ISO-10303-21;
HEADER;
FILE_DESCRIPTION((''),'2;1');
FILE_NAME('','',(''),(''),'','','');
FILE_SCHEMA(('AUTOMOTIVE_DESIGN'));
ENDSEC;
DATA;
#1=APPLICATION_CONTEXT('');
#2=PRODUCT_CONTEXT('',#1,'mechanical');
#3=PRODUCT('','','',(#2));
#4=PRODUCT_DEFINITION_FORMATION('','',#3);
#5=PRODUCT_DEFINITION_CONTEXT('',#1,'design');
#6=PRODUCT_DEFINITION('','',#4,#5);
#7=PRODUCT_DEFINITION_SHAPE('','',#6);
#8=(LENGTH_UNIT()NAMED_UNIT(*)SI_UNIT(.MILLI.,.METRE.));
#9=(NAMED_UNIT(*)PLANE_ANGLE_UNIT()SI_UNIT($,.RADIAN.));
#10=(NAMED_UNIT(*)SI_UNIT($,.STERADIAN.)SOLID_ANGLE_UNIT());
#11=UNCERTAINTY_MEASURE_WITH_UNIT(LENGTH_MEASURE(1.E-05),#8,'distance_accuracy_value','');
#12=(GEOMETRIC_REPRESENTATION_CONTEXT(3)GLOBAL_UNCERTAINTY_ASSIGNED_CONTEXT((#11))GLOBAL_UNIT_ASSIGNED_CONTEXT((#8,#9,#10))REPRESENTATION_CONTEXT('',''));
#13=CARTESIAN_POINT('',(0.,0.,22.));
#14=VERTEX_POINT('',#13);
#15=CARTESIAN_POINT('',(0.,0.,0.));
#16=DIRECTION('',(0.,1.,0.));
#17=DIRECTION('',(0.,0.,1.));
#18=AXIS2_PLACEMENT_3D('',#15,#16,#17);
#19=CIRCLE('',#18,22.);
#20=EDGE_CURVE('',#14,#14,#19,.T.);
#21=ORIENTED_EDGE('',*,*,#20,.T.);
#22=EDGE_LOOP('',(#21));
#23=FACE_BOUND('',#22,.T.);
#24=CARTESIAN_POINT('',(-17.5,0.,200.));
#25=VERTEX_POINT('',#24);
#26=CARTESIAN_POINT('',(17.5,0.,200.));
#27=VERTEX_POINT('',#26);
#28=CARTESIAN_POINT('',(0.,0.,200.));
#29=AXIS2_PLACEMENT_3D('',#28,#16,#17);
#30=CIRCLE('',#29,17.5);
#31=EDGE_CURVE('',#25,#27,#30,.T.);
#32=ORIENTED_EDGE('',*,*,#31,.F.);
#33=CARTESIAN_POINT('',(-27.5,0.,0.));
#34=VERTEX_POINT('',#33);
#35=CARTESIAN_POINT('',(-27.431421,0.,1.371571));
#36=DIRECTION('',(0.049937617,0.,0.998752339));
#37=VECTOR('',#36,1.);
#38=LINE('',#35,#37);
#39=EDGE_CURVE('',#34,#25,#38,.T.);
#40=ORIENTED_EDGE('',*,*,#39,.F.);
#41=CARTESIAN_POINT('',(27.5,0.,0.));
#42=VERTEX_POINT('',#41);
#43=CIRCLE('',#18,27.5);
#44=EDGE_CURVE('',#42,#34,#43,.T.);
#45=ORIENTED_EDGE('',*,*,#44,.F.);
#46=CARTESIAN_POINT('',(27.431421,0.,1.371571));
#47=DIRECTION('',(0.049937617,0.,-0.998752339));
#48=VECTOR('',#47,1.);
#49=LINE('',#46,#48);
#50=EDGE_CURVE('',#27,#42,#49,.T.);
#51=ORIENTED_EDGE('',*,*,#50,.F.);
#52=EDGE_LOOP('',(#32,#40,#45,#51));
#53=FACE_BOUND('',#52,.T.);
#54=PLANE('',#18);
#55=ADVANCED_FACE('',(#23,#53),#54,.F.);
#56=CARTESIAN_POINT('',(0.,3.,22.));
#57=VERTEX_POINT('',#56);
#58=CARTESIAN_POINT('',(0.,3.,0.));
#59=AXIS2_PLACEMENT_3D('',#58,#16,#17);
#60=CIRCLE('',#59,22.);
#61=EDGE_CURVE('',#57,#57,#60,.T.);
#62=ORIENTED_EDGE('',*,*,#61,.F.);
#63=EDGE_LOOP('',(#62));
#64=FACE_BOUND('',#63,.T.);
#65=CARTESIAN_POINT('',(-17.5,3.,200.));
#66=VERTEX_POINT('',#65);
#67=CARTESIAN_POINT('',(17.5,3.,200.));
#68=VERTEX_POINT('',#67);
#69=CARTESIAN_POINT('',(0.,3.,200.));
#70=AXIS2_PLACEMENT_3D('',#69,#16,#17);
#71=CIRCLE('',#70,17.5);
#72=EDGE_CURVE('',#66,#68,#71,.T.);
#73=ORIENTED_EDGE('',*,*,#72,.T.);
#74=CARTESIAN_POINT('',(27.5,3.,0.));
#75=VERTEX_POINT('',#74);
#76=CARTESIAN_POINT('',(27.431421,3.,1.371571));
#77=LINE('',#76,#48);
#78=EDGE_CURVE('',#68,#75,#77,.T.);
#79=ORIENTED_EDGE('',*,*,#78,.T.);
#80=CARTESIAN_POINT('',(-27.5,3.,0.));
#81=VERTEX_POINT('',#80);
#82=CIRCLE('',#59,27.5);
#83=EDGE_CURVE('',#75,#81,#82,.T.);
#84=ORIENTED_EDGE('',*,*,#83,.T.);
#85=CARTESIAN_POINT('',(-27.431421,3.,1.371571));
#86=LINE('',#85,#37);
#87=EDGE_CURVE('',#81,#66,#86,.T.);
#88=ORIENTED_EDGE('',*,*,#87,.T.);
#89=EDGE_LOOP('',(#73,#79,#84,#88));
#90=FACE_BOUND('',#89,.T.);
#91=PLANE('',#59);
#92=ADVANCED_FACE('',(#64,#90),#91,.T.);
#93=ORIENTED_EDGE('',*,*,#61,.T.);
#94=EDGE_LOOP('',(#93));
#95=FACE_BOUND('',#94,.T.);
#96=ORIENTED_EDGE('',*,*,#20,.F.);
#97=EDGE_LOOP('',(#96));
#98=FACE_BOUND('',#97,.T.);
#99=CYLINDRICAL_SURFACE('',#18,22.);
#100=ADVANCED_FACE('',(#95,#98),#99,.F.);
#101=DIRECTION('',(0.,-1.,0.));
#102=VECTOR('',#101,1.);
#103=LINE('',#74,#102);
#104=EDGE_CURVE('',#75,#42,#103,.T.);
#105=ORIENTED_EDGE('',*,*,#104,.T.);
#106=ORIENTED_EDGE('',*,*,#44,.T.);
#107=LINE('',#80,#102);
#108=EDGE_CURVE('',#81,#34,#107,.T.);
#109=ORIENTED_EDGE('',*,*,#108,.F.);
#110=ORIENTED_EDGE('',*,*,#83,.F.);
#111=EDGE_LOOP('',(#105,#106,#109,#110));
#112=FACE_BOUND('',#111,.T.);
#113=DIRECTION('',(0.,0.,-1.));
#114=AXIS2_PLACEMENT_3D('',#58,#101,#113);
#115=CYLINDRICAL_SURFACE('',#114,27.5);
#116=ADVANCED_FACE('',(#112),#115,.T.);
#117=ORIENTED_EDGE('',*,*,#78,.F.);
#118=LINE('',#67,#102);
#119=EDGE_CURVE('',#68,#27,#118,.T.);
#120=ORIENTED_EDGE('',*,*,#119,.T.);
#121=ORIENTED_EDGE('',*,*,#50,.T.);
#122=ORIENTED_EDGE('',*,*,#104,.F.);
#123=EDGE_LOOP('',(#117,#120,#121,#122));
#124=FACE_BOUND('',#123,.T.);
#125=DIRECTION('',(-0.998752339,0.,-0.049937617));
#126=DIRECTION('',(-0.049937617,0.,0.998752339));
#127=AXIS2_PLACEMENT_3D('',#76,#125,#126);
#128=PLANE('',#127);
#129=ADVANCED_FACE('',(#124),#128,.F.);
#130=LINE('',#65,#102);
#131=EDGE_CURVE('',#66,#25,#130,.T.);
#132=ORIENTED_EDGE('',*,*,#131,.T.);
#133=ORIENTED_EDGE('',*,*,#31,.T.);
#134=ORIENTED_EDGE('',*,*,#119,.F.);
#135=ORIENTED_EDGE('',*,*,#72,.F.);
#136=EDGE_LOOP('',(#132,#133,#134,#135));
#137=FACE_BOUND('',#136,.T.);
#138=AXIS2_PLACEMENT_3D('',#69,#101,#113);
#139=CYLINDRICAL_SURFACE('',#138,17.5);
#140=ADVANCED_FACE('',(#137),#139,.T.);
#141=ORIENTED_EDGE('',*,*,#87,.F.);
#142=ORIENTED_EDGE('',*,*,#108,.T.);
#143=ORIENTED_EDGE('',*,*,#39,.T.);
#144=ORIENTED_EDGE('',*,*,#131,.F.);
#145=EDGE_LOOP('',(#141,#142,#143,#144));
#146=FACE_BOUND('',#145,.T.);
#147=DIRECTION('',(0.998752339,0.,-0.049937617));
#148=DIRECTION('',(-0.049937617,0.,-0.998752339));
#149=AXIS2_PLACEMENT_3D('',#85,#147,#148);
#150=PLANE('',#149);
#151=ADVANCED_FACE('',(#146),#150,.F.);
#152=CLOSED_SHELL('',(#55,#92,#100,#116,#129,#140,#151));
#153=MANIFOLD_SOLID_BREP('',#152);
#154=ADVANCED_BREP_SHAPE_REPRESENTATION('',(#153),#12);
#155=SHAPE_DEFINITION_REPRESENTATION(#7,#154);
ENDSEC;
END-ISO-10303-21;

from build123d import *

# Parameters (mm, degrees)
SKETCH1_R           = 17.5
BOSS_EXTRUDE1_DEPTH = 3
SKETCH2_R           = 22
CUT_EXTRUDE1_DEPTH  = 220.25213796


with BuildPart() as part:
    # Sketch1 → Boss-Extrude1 (new body)
    with BuildSketch(Plane(origin=(0, 0, 0), x_dir=(1, 0, 0), z_dir=(0, 1, 0))):
        with BuildLine():
            ThreePointArc((27.5, 0), (0, 27.5), (-27.5, 0))
            Line((-27.5, 0), (-27.362842893, -2.743142145))
            ThreePointArc((-27.362842893, -2.743142145), (0, -27.5), (27.362842893, -2.743142145))
            Line((27.362842893, -2.743142145), (27.5, 0))
        make_face()
        with BuildLine():
            ThreePointArc((27.362842893, -2.743142145), (0, -27.5), (-27.362842893, -2.743142145))
            Line((-27.362842893, -2.743142145), (-17.5, -200))
            ThreePointArc((-17.5, -200), (0, -182.5), (17.5, -200))
            Line((17.5, -200), (27.362842893, -2.743142145))
        make_face()
        with Locations((0, -200)):
            Circle(SKETCH1_R)
    extrude(amount=BOSS_EXTRUDE1_DEPTH)

    # Sketch2 → Cut-Extrude1 (cut, through all)
    with BuildSketch(Plane(origin=(0, 3, 0), x_dir=(1, 0, 0), z_dir=(0, 1, 0))):
        with Locations(Location((0, 0, 0), (0, 0, 270))):
            Circle(SKETCH2_R)
    extrude(amount=-CUT_EXTRUDE1_DEPTH, mode=Mode.SUBTRACT)


solid = part.part
